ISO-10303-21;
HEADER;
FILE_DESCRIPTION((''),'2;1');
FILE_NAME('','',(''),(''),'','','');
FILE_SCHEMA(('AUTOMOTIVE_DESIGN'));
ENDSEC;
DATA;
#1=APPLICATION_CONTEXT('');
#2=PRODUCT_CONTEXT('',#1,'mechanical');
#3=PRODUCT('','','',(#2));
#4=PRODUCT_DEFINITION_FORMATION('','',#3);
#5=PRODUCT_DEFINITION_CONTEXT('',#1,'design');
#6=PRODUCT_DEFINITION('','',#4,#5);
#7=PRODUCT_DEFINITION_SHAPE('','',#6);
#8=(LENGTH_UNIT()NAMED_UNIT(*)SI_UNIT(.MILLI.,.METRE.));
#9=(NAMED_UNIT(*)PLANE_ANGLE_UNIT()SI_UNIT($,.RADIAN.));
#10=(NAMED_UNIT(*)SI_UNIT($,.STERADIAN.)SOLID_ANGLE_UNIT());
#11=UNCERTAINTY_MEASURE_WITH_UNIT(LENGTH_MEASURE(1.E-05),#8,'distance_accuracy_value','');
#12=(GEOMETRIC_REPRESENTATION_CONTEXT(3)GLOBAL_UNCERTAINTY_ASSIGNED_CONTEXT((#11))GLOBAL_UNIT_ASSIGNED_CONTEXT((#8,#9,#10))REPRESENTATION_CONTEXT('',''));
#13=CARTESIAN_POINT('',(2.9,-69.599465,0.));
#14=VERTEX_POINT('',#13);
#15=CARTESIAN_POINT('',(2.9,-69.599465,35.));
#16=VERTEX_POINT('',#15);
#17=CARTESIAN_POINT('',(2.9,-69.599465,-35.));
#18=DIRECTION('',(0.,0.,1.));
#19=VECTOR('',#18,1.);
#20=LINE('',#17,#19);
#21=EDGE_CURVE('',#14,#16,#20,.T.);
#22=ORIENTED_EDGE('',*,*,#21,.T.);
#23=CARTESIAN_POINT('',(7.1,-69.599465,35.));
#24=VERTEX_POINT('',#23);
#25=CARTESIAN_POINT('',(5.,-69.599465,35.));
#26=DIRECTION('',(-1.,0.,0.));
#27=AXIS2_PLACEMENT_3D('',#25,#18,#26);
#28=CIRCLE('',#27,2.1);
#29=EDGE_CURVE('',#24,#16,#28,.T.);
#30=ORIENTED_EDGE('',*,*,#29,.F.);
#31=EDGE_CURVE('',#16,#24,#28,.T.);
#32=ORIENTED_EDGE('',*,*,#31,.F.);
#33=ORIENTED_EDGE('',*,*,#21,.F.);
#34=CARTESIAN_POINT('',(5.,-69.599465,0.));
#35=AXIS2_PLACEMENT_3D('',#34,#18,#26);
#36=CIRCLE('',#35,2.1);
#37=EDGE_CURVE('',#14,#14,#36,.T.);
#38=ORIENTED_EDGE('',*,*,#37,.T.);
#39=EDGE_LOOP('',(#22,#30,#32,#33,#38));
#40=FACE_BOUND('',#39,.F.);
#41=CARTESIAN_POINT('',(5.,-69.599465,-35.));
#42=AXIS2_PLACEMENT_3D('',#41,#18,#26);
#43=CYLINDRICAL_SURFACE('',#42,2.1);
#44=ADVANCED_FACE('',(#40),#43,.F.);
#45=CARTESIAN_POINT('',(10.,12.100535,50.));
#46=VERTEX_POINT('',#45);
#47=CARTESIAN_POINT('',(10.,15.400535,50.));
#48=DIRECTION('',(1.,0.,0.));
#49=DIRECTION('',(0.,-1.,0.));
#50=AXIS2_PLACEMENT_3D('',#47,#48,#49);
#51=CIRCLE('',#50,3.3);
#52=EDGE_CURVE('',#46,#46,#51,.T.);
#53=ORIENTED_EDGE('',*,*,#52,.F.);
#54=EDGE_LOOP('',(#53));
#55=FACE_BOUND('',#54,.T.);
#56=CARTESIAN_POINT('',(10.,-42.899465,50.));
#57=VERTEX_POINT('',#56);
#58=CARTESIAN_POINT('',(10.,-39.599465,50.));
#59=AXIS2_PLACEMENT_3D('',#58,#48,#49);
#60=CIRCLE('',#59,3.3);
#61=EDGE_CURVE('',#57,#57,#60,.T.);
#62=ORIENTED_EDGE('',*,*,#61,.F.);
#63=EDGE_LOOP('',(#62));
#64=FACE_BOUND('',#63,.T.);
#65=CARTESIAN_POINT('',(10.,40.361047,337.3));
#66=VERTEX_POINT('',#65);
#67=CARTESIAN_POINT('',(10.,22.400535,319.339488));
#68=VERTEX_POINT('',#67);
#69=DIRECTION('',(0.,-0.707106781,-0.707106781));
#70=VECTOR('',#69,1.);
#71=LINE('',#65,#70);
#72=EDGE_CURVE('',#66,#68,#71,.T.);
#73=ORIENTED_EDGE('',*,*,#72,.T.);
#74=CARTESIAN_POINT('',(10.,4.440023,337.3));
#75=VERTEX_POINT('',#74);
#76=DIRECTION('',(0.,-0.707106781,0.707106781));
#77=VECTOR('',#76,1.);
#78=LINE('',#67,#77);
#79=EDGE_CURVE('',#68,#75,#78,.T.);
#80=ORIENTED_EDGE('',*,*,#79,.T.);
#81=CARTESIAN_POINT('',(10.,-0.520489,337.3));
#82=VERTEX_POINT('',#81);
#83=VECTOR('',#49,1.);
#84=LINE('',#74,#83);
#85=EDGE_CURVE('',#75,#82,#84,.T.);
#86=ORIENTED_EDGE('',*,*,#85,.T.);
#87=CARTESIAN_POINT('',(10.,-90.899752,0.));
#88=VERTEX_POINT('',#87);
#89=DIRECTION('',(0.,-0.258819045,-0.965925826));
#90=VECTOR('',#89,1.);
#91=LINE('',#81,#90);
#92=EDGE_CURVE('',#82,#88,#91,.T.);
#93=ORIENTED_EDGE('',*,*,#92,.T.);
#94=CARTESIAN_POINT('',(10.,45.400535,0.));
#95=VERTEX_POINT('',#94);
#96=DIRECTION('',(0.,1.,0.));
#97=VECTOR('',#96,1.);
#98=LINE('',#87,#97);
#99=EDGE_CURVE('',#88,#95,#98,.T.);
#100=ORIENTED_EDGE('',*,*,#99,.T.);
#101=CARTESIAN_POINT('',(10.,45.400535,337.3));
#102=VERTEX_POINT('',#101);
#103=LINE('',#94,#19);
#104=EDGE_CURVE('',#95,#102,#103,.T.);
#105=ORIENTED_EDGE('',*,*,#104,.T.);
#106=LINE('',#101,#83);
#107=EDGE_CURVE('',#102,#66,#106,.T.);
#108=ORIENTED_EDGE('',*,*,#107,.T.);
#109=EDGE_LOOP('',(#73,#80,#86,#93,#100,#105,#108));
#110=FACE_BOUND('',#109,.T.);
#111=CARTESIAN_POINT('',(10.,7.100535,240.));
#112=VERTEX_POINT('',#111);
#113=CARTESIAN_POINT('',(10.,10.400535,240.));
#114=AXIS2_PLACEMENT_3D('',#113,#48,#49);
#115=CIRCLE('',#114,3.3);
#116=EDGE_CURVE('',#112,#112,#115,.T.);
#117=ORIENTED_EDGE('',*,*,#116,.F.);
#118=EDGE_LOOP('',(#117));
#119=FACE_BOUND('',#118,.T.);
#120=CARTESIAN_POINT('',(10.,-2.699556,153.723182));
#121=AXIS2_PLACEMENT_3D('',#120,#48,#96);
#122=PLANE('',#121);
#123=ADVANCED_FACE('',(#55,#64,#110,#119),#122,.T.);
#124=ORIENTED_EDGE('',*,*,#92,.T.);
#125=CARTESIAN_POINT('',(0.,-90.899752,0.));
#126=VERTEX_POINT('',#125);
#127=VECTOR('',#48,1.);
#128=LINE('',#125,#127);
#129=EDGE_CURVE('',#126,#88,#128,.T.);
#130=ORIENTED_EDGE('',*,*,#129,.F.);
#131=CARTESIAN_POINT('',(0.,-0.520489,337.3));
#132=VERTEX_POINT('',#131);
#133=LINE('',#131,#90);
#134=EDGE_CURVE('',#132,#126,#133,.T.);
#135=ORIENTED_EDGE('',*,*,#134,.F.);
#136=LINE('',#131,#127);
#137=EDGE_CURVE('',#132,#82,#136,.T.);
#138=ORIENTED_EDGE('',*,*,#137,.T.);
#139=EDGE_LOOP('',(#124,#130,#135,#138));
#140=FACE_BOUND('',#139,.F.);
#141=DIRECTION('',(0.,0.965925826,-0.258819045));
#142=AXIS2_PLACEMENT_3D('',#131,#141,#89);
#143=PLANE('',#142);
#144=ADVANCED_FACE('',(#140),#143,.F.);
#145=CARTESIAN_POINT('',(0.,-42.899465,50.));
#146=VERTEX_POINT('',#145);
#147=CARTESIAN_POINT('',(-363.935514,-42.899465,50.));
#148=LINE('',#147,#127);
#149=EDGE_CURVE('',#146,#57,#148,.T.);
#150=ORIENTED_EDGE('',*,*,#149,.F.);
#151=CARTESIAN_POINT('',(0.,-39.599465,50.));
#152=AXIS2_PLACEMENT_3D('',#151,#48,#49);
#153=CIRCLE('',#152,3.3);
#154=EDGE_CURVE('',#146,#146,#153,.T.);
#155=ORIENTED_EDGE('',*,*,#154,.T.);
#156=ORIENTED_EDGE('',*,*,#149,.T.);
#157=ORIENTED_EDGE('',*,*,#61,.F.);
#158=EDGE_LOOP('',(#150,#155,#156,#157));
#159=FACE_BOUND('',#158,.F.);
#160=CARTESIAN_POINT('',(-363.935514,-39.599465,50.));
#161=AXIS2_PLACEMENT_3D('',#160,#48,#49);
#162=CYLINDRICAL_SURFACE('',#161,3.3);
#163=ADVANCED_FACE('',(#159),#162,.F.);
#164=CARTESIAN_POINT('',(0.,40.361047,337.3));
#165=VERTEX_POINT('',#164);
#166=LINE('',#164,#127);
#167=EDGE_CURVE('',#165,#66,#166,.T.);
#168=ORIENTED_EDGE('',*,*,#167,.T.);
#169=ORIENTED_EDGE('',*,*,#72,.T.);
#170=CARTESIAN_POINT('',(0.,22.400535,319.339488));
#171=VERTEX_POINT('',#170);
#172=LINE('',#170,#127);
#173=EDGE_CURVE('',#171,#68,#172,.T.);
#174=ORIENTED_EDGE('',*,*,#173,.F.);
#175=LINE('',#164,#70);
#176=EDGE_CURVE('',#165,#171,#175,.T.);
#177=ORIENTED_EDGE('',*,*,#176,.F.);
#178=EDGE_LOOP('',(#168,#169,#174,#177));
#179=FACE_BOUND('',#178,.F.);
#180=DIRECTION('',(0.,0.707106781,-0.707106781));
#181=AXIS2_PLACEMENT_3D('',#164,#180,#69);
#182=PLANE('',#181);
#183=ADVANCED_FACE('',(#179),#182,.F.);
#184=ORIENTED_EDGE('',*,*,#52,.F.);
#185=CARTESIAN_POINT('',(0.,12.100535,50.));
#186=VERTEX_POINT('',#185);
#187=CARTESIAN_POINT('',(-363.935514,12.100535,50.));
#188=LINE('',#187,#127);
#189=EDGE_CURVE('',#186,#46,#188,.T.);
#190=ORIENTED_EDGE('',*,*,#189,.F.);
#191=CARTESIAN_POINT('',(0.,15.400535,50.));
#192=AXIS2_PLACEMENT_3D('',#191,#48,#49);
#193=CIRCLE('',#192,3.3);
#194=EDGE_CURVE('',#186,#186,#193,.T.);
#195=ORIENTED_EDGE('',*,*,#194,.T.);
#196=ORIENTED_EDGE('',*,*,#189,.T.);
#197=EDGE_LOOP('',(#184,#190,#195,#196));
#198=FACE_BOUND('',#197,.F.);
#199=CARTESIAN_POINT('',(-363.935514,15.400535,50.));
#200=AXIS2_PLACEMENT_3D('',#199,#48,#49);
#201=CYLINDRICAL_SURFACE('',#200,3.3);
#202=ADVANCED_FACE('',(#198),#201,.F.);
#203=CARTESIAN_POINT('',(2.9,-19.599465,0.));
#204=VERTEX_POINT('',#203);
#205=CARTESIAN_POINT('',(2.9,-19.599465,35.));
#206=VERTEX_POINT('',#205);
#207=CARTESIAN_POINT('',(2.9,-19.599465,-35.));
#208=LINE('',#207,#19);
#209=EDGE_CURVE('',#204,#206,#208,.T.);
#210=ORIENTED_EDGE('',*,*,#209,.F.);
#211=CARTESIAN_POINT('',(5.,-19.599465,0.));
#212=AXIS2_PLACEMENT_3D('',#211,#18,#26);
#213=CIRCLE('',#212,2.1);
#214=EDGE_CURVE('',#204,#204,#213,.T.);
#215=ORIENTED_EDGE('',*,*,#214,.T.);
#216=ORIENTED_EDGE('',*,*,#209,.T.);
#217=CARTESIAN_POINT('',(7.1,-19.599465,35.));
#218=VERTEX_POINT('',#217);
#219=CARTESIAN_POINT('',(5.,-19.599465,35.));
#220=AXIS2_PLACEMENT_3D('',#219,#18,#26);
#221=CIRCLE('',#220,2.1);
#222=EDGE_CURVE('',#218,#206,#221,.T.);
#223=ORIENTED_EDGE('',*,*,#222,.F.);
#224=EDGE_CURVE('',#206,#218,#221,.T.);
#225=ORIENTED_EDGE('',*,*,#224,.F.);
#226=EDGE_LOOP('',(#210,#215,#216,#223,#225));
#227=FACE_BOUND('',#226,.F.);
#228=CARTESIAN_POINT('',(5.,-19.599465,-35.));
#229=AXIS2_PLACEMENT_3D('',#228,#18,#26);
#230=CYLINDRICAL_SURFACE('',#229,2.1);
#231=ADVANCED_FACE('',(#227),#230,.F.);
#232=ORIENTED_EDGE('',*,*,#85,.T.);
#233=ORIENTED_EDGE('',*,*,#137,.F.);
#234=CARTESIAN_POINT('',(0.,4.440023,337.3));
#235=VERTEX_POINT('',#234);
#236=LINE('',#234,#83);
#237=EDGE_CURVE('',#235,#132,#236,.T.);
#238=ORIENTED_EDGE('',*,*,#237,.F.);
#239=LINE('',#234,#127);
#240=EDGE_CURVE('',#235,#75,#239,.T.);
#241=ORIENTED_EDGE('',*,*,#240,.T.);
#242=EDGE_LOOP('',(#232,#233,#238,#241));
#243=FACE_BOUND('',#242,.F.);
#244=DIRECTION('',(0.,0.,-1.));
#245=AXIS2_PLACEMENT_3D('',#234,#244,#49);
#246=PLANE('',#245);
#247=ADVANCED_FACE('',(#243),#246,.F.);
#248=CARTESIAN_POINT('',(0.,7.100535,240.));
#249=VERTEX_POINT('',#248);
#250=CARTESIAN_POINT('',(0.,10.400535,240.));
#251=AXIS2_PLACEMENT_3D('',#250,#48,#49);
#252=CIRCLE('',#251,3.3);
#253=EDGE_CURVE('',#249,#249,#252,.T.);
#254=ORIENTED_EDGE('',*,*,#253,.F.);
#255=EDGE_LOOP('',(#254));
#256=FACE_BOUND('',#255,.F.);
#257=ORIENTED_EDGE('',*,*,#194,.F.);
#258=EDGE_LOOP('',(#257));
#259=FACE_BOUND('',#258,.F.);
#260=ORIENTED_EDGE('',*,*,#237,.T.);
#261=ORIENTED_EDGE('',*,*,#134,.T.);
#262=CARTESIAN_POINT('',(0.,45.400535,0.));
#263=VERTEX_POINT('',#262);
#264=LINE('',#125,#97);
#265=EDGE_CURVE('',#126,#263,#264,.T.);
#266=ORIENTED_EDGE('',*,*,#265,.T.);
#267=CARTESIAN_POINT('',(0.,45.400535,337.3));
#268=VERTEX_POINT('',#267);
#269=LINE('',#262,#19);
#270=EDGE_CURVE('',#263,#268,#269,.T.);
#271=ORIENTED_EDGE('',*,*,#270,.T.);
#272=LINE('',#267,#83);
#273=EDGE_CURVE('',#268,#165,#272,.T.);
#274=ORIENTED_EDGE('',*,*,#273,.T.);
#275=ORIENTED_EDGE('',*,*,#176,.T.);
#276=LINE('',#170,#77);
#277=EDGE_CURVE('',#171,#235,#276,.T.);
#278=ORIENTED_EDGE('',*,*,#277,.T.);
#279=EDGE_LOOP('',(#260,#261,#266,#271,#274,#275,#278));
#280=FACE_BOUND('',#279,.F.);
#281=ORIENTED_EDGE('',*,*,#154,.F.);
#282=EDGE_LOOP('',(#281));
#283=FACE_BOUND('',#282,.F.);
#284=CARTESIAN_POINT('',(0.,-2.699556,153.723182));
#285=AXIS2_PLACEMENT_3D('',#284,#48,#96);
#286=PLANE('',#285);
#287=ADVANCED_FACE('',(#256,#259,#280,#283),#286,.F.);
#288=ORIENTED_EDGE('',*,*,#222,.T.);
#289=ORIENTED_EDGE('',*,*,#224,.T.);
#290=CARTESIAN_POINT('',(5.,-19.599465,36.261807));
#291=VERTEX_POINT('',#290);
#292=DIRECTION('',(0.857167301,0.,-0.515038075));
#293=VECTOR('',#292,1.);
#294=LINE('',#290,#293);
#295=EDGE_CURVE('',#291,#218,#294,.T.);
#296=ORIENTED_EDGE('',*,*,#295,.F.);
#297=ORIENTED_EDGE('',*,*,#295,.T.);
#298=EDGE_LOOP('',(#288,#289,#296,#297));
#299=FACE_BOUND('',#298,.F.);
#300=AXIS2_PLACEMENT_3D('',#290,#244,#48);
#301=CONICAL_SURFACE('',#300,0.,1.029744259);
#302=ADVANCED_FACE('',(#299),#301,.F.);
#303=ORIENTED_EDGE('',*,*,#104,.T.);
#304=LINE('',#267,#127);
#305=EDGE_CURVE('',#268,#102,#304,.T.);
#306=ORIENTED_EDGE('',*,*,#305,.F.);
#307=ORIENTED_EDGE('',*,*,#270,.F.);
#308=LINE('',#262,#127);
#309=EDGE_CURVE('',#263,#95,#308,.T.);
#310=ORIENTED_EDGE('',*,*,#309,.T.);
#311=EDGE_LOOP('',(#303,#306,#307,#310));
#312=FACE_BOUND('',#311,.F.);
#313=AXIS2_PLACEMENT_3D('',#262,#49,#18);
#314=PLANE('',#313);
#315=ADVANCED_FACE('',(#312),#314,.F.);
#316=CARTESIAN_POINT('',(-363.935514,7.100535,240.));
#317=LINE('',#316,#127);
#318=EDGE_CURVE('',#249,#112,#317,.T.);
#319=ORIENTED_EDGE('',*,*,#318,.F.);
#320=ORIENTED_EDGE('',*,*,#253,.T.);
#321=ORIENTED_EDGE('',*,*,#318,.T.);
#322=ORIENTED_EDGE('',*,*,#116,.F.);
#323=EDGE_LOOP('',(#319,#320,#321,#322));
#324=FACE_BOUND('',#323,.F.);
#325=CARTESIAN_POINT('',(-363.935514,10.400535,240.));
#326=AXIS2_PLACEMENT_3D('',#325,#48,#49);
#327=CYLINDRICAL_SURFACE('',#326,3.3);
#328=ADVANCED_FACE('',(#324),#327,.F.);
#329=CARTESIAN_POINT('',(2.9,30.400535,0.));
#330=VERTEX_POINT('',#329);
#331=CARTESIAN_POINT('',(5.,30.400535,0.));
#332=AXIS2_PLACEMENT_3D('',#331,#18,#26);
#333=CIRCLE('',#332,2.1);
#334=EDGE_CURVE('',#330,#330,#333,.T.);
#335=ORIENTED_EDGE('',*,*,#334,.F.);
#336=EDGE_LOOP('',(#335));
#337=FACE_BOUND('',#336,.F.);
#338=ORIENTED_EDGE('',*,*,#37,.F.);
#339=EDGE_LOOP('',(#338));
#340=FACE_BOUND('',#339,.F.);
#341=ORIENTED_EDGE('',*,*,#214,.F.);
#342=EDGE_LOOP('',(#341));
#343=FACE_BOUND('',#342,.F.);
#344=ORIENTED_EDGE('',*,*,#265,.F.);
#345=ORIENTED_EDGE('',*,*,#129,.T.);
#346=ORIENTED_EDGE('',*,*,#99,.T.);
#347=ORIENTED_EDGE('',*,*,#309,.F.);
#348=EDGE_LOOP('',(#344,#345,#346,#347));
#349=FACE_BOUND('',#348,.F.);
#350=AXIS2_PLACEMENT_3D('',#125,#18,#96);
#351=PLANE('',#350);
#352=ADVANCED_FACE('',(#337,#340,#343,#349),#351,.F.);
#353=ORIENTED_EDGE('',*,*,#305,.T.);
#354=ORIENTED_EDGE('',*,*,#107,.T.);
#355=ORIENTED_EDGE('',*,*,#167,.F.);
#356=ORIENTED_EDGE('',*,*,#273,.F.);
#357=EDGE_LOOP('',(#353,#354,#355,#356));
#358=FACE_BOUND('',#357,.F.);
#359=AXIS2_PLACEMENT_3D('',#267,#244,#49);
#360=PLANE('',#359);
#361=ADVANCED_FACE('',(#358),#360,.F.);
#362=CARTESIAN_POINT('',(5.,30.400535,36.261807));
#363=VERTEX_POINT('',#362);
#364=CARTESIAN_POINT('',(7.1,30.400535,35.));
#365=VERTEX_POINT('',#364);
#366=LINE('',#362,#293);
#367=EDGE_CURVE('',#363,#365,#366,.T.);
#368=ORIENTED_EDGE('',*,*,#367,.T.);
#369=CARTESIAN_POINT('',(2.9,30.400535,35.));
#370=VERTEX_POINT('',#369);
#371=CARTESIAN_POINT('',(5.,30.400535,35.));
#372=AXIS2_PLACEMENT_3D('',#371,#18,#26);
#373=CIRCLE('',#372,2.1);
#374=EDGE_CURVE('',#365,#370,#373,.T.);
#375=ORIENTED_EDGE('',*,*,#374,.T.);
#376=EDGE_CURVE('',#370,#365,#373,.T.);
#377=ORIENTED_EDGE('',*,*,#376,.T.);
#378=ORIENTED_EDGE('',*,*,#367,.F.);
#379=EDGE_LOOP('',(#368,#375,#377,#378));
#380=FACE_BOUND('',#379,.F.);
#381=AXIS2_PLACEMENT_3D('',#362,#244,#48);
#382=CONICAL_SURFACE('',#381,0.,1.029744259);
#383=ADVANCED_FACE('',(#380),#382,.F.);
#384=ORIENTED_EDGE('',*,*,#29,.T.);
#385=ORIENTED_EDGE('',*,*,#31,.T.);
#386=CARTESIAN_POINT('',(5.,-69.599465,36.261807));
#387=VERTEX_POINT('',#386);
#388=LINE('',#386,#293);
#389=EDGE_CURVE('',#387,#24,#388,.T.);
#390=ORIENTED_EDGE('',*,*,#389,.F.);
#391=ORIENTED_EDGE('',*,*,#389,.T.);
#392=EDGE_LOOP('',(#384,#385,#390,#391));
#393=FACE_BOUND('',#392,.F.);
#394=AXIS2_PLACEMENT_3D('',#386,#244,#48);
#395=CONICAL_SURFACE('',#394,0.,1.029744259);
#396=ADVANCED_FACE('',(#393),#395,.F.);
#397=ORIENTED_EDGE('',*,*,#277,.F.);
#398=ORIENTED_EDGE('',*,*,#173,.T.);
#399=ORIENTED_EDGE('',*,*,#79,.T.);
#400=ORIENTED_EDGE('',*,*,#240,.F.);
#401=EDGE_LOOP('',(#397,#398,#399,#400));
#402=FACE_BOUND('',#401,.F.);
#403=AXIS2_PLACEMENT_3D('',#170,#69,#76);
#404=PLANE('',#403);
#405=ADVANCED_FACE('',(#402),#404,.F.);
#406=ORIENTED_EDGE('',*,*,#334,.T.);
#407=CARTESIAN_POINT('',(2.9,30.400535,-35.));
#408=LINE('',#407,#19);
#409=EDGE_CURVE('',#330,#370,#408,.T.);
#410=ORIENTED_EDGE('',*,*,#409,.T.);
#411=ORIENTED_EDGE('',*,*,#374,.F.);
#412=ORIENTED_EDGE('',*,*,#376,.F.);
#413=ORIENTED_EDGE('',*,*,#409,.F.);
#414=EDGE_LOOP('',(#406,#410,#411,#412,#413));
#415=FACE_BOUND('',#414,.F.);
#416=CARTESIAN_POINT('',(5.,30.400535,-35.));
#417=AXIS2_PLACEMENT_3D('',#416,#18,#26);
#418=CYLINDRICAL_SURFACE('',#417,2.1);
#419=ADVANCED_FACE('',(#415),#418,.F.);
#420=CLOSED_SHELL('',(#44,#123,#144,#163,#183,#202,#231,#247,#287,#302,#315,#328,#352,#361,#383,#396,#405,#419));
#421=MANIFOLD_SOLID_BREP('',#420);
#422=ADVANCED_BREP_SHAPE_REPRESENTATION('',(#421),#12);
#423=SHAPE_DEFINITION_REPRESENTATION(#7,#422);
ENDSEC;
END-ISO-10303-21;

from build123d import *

# Parameters (mm, degrees)
F1_DEPTH = 10
F4_D     = 6.6
F6_D     = 4.2
F6_DEPTH = 35
F6_TIP   = 1.2618073


with BuildPart() as f1:
    # F0 (on Right) → F1 (new body)
    with BuildSketch(Plane.YZ):
        Polygon((-0.5204892877, 337.3), (-90.8997518947, 0), (45.4005351965, 0), (45.4005351965, 337.3), (40.3610474387, 337.3), (22.4005351965, 319.3394877579), (4.4400229544, 337.3), align=None)
    extrude(amount=F1_DEPTH)

    # F4 (through all)
    with Locations(Plane(origin=(0, 0, 0), x_dir=(0, 1, 0), z_dir=(-1, 0, 0))):
        with Locations((10.4005351965, -240), (15.4005351965, -50), (-39.5994648035, -50)):
            Hole(F4_D / 2)

    # F6
    with Locations(Plane(origin=(0, 0, 0), x_dir=(1, 0, 0), z_dir=(0, 0, -1))):
        with Locations((5, 69.5994648035), (5, 19.5994648035), (5, -30.4005351965)):
            Hole(F6_D / 2, depth=F6_DEPTH)
            with Locations((0, 0, -(F6_DEPTH + F6_TIP / 2))):  # 118° drill point
                Cone(0, F6_D / 2, F6_TIP, mode=Mode.SUBTRACT)


solid = f1.part
